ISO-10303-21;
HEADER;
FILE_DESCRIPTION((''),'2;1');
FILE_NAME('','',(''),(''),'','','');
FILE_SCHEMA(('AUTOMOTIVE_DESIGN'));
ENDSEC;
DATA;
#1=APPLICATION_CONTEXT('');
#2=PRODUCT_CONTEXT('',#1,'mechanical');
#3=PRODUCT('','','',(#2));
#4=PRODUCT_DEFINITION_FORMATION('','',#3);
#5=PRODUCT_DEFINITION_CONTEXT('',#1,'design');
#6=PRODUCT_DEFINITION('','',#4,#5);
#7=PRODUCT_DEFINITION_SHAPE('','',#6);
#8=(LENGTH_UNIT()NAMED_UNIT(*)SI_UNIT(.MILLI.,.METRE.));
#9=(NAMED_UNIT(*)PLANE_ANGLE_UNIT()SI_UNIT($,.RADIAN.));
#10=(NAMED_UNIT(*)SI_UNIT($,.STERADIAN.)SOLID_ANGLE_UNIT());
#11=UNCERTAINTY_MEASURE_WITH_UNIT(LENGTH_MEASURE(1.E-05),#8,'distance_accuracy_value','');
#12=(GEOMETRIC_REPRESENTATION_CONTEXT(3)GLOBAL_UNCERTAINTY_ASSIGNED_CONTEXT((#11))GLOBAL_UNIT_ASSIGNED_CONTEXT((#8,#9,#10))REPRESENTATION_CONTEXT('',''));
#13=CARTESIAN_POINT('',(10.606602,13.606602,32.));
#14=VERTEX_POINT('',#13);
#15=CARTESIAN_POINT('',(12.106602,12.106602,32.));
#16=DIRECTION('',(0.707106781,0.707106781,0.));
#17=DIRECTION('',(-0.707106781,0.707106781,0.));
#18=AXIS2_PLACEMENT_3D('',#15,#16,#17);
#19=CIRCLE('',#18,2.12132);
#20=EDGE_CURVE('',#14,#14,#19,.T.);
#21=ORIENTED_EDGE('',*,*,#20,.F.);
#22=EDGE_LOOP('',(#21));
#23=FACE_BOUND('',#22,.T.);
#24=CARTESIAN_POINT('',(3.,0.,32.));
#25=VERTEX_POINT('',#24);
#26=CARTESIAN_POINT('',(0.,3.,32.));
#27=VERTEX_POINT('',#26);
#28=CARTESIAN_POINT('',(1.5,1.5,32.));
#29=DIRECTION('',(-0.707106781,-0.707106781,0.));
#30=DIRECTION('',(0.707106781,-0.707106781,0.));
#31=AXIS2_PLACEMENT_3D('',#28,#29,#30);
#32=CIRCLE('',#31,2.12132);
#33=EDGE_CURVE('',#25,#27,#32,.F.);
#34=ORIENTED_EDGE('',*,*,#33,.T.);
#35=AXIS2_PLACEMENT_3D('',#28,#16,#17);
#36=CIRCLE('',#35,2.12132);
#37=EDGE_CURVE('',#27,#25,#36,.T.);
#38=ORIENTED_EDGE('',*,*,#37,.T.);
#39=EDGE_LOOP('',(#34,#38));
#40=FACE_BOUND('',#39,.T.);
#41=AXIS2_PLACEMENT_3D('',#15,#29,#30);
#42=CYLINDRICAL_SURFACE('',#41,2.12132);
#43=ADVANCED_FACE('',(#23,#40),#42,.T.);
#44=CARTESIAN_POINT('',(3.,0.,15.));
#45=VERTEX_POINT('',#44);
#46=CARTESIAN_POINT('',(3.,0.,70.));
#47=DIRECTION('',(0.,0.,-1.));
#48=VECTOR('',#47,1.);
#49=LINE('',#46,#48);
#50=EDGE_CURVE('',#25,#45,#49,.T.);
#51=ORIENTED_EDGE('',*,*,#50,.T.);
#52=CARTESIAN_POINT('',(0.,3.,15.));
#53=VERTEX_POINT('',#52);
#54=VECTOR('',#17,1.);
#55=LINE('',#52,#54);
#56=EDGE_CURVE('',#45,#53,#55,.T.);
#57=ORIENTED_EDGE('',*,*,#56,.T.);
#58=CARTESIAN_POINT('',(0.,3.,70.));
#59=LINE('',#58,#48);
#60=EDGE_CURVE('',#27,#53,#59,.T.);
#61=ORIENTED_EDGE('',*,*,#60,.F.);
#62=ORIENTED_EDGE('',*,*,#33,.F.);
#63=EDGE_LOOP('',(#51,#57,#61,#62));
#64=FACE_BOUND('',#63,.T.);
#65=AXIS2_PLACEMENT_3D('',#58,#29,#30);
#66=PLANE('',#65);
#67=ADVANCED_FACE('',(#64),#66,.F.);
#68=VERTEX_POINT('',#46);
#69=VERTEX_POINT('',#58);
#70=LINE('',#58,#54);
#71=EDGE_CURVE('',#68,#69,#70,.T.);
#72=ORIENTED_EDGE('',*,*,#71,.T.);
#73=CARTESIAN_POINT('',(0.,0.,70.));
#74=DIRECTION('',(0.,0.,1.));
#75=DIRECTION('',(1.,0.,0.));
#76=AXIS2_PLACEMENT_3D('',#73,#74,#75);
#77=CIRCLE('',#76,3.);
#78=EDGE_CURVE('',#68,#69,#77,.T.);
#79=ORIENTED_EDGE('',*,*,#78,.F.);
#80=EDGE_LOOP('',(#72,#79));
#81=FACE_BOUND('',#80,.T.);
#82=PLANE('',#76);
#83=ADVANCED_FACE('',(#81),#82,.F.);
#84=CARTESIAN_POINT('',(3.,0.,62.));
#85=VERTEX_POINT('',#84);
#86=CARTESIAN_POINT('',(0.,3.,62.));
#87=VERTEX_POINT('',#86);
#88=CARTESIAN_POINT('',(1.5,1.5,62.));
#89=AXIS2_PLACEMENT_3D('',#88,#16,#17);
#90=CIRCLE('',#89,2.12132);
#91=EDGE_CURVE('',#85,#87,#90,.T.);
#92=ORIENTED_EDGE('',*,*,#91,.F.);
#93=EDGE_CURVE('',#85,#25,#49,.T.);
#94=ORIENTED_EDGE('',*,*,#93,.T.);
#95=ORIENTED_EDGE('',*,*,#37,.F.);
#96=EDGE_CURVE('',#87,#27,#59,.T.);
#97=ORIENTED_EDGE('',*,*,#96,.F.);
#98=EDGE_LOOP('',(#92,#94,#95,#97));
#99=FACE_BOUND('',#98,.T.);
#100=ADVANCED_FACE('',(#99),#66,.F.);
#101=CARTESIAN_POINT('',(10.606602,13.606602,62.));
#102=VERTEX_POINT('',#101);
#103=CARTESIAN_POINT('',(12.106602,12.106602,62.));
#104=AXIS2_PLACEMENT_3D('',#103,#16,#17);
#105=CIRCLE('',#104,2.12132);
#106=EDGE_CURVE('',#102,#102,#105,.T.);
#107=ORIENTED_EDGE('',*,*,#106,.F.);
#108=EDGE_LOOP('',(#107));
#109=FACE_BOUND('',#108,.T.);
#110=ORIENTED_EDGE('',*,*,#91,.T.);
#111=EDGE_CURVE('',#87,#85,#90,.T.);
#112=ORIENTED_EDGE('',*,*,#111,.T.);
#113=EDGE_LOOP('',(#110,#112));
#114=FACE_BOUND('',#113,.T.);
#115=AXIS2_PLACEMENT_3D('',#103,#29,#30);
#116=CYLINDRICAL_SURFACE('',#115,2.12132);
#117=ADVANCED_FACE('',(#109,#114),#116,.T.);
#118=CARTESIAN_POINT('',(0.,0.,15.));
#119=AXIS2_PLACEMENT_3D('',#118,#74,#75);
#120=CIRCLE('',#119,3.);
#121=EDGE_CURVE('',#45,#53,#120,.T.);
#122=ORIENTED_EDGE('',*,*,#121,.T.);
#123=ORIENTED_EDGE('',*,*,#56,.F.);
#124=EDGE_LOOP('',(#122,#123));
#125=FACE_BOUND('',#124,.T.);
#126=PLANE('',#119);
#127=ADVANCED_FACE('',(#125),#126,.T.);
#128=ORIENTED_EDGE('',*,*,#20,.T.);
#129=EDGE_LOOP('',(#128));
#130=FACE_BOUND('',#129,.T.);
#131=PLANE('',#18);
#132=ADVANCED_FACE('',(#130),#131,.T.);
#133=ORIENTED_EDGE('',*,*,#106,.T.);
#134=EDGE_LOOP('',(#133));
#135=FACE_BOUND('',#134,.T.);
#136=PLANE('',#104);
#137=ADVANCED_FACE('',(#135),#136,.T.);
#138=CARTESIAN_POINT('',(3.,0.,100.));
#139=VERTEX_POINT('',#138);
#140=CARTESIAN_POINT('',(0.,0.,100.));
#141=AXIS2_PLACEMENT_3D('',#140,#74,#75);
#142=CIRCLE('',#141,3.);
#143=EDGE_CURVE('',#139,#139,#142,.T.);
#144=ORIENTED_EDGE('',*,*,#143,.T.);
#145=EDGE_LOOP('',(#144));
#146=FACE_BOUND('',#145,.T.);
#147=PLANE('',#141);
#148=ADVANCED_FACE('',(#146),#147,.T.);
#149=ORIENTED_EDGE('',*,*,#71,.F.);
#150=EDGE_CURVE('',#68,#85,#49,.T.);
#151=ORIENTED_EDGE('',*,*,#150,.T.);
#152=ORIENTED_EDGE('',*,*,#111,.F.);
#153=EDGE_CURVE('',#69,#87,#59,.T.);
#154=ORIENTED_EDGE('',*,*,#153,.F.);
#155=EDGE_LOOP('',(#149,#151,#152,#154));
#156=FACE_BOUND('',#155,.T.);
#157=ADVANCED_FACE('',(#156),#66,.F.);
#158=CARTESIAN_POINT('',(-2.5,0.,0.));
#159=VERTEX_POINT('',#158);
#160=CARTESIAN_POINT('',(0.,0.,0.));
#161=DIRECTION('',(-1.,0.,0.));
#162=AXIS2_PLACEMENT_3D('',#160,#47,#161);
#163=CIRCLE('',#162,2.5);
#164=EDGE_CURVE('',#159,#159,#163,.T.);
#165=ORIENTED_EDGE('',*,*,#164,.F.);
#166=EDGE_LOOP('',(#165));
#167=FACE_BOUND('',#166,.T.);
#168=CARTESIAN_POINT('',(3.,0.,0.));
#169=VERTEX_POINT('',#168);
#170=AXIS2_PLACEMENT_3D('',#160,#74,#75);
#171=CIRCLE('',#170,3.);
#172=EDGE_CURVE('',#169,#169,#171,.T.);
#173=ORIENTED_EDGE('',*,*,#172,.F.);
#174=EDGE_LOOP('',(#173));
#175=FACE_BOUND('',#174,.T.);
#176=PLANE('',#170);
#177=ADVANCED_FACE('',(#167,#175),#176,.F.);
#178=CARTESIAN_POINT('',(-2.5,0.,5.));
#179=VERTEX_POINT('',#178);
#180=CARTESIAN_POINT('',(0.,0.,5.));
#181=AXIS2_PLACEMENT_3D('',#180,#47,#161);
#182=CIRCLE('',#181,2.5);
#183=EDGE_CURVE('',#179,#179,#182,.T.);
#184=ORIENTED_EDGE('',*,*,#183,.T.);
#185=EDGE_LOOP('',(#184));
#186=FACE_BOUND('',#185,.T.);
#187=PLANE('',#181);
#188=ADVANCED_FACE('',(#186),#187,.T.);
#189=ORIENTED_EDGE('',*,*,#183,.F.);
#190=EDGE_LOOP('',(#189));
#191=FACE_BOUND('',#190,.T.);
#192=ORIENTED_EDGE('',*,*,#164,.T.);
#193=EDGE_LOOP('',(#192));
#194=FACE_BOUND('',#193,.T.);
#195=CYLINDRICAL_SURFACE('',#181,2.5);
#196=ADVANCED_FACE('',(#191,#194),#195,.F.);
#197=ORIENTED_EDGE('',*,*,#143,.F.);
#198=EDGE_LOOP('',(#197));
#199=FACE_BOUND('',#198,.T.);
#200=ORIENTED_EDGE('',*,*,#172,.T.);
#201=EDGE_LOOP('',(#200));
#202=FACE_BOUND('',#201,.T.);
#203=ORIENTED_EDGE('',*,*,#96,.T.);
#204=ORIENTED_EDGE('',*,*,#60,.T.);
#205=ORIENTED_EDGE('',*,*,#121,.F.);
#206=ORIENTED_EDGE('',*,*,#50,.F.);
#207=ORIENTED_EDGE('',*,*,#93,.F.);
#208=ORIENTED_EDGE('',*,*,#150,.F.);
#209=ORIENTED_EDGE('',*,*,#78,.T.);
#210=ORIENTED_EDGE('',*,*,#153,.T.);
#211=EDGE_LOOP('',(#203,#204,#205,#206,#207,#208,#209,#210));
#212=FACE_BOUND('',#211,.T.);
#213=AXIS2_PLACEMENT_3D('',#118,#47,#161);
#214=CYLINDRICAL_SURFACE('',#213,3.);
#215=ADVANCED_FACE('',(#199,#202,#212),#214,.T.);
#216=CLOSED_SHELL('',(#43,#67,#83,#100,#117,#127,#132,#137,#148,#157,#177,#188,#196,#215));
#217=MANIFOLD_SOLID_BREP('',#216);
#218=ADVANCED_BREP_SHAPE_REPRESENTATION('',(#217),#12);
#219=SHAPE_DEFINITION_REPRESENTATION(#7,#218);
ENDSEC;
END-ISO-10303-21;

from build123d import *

# Parameters (mm, degrees)
ESQUISSE1_R             = 3
BOSS_EXTRU_1_DEPTH      = 15
ESQUISSE2_R             = 2.5
ENL_V_MAT_EXTRU_1_DEPTH = 5
BOSS_EXTRU_2_DEPTH      = 55
ESQUISSE4_R             = 2.121320344
BOSS_EXTRU_3_DEPTH      = 15
ESQUISSE5_R             = 3
BOSS_EXTRU_4_DEPTH      = 30


with BuildPart() as part:
    # Esquisse1 → Boss.-Extru.1 (new body)
    with BuildSketch(Plane.XY):
        Circle(ESQUISSE1_R)
    extrude(amount=BOSS_EXTRU_1_DEPTH)

    # Esquisse2 → Enlèv. mat.-Extru.1 (cut)
    with BuildSketch(Plane(origin=(0, 0, 0), x_dir=(-1, 0, 0), z_dir=(0, 0, -1))):
        Circle(ESQUISSE2_R)
    extrude(amount=-ENL_V_MAT_EXTRU_1_DEPTH, mode=Mode.SUBTRACT)

    # Esquisse3 → Boss.-Extru.2 (add)
    with BuildSketch(Plane.XY.offset(15)):
        with BuildLine():
            Line((0, 3), (3, 0))
            ThreePointArc((3, 0), (-2.121320344, -2.121320344), (0, 3))
        make_face()
    extrude(amount=BOSS_EXTRU_2_DEPTH)

    # Esquisse4 → Boss.-Extru.3 (add)
    with BuildSketch(Plane(origin=(1.5, 1.5, 0), x_dir=(0, 0, -1), z_dir=(0.7071067811865477, 0.7071067811865475, 0))):
        with Locations(Location((-62, 0, 0), (0, 0, 90))):
            Circle(ESQUISSE4_R)
        with Locations(Location((-32, 0, 0), (0, 0, 90))):
            Circle(ESQUISSE4_R)
    extrude(amount=BOSS_EXTRU_3_DEPTH)

    # Esquisse5 → Boss.-Extru.4 (add)
    with BuildSketch(Plane.XY.offset(70)):
        Circle(ESQUISSE5_R)
    extrude(amount=BOSS_EXTRU_4_DEPTH)


solid = part.part
